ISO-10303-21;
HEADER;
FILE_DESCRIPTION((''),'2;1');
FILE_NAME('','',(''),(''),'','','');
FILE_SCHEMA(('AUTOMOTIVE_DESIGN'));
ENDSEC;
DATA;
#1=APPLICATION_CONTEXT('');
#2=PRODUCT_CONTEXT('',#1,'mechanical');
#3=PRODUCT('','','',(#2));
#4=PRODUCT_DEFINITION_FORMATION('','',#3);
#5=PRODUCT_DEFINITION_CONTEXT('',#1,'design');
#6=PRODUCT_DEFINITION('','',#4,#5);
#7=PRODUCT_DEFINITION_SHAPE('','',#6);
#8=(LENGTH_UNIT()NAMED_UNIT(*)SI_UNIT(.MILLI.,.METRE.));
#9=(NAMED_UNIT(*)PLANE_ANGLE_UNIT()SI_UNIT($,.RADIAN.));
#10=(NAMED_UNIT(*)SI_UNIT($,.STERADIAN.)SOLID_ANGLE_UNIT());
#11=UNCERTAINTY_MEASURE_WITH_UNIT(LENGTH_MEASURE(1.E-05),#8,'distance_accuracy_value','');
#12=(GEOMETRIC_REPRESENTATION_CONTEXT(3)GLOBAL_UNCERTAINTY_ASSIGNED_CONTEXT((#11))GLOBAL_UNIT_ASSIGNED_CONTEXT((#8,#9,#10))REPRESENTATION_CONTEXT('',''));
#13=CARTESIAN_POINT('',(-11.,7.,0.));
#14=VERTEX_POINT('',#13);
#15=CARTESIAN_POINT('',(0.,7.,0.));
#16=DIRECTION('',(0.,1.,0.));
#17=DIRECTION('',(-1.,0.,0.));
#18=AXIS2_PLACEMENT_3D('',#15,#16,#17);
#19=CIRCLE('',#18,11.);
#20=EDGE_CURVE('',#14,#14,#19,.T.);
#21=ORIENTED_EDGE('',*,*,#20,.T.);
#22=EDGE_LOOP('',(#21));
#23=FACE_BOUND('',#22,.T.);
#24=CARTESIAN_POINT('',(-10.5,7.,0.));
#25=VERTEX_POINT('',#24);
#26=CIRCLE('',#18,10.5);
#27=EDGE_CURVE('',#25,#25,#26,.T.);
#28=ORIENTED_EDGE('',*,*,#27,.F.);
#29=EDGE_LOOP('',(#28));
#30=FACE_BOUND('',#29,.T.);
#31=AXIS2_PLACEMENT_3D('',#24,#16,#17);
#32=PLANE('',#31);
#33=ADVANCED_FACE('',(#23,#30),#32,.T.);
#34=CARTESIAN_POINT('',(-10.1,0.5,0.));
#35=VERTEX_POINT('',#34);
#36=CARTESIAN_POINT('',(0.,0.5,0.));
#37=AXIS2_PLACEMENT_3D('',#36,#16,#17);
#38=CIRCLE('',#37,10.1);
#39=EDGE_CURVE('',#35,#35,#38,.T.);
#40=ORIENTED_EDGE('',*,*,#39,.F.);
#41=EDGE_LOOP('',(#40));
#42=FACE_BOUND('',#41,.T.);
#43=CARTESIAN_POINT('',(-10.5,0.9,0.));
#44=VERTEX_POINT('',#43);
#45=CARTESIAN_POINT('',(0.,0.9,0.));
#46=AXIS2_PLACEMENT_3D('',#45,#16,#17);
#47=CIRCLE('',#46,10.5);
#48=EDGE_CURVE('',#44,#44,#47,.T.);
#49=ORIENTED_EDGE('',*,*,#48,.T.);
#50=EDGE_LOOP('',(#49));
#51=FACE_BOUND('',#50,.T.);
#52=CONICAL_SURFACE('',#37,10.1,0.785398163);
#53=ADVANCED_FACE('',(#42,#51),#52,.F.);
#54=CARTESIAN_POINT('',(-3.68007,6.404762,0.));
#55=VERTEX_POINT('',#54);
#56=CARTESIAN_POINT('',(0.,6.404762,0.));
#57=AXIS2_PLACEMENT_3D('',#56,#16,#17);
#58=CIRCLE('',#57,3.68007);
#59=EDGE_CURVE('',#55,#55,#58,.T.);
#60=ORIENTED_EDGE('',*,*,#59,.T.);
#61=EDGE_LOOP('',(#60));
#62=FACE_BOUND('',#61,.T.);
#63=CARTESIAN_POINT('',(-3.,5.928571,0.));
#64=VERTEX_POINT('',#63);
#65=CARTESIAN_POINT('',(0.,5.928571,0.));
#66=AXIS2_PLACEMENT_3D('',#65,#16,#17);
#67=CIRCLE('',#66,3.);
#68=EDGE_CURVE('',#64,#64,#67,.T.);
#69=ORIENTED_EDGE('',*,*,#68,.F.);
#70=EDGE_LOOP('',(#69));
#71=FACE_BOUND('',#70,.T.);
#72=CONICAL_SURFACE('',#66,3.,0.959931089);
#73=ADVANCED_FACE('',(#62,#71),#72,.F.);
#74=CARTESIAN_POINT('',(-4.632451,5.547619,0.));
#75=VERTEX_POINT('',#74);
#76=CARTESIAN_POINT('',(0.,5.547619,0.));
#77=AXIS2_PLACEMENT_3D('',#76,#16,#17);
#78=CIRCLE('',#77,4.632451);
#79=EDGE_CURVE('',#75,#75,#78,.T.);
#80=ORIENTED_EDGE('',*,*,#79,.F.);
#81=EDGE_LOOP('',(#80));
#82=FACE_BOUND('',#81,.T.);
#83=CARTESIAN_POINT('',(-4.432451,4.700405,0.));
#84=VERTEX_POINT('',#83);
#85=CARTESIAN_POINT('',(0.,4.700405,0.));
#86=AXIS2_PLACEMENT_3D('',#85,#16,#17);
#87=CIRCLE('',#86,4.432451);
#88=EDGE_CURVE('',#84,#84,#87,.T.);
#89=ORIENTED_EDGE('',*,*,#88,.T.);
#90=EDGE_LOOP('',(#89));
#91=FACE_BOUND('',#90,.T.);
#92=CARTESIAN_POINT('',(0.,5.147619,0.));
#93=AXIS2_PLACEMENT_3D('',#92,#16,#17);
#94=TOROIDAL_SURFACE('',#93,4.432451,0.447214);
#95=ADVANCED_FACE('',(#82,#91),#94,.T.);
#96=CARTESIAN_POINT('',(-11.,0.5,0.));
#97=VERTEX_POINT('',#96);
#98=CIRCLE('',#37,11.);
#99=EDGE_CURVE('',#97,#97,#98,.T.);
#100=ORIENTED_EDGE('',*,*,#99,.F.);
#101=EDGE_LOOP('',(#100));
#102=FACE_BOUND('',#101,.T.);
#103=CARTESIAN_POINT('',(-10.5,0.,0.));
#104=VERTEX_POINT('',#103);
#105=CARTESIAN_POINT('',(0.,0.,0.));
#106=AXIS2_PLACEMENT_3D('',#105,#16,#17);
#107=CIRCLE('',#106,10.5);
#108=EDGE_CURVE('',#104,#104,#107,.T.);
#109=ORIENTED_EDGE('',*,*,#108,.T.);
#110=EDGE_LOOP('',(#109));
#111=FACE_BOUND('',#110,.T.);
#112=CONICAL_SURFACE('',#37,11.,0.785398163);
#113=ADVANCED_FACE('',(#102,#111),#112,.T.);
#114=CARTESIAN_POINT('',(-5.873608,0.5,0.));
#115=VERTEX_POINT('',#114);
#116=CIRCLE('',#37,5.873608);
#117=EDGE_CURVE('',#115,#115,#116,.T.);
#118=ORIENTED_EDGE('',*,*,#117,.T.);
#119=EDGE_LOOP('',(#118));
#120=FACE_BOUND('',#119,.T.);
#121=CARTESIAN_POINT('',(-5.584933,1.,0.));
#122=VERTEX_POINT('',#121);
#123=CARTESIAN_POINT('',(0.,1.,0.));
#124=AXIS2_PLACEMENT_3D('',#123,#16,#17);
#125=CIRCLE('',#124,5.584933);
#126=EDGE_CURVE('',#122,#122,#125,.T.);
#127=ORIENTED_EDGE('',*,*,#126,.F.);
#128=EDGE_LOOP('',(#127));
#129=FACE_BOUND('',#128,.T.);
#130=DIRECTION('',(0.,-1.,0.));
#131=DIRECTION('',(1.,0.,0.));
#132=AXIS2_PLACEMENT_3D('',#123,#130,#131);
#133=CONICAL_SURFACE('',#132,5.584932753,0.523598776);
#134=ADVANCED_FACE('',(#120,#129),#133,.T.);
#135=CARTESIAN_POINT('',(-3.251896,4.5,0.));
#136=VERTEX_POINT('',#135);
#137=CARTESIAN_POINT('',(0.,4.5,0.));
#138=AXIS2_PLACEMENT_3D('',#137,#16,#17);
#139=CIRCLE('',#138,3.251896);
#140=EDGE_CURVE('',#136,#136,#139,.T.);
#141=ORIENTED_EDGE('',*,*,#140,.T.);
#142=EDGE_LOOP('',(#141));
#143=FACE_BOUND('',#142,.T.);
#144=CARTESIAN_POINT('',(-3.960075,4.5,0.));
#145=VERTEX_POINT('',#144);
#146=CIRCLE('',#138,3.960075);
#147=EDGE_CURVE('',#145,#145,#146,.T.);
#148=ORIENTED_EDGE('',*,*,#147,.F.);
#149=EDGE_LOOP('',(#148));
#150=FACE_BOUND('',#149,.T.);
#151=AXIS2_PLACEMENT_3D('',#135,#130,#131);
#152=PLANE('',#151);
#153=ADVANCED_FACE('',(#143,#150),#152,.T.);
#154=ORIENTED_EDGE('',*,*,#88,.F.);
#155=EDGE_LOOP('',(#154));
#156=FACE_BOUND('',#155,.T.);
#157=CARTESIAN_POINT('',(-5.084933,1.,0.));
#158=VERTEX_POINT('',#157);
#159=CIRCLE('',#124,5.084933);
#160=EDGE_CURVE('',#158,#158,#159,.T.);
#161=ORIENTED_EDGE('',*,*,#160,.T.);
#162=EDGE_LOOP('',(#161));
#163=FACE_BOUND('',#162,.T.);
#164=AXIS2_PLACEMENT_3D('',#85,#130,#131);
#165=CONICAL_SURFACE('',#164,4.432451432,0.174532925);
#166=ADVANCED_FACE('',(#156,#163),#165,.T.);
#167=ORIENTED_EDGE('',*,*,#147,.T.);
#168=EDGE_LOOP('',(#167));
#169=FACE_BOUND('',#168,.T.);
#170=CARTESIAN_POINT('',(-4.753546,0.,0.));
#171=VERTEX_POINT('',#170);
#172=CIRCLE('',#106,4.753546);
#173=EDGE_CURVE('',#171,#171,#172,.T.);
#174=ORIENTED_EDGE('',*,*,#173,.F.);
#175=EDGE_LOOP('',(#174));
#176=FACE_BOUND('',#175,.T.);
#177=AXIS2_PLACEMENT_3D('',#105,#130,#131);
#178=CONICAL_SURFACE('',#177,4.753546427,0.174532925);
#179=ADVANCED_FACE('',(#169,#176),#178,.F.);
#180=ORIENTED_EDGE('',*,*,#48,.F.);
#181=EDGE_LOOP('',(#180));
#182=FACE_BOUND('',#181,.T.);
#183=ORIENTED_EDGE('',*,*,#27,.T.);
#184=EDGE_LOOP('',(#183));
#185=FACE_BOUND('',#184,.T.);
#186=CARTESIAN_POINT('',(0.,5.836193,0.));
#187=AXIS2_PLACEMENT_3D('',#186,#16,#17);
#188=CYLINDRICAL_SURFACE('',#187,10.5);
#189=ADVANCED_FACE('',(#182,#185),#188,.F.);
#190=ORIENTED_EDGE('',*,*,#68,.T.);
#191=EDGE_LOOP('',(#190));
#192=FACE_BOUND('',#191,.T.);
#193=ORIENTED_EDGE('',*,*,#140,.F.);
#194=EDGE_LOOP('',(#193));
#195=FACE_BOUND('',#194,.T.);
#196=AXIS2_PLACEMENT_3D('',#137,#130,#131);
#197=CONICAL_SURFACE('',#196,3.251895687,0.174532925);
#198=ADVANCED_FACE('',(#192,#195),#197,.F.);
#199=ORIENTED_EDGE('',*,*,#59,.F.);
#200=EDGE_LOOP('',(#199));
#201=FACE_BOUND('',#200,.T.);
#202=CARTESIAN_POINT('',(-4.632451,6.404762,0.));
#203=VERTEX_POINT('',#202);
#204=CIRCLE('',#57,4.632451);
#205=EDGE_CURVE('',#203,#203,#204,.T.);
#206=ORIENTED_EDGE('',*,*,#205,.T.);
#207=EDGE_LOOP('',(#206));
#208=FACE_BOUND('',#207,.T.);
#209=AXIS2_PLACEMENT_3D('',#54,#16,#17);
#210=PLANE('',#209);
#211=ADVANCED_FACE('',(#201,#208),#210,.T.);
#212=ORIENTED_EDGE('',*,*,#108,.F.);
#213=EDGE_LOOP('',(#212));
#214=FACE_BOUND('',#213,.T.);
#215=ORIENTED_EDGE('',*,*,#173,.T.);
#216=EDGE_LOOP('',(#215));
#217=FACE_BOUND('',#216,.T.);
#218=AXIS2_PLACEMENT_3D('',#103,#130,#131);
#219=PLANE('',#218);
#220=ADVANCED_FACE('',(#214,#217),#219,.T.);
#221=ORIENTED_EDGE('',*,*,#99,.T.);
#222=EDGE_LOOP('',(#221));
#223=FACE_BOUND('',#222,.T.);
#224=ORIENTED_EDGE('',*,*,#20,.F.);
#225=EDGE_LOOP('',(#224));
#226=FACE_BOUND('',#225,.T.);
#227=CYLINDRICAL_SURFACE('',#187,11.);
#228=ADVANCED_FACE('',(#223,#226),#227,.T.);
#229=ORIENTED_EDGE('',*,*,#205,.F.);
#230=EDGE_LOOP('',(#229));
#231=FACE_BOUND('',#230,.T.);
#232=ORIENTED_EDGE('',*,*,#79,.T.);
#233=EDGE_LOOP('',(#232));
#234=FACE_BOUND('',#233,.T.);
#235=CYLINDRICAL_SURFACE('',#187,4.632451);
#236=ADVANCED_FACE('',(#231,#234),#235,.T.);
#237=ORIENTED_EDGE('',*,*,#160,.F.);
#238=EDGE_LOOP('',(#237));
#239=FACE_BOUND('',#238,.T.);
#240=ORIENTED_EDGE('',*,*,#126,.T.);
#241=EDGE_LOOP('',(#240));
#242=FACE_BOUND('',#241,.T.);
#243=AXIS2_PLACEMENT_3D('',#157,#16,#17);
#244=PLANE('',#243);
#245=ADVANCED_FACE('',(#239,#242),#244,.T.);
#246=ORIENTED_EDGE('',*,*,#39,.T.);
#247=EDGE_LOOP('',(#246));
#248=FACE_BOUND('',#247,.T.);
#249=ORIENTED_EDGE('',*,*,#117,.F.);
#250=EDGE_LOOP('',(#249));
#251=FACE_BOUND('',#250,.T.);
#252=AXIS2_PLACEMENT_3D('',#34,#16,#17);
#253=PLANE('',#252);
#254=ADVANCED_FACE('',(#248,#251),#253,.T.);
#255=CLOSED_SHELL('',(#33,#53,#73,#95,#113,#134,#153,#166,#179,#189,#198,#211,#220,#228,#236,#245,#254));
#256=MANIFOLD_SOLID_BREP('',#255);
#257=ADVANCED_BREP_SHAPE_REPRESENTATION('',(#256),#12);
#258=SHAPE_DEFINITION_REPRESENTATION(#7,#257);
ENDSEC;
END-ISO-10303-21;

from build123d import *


with BuildPart() as part:
    # 草图1 → 旋转1 (revolve)
    with BuildSketch(Plane.XY):
        with BuildLine():
            Line((-10.1, 0.5), (-5.873607887, 0.5))
            Line((-5.873607887, 0.5), (-5.584932753, 1))
            Line((-5.584932753, 1), (-5.084932753, 1))
            Line((-5.084932753, 1), (-4.432451432, 4.700405452))
            ThreePointArc((-4.432451432, 4.700405452), (-4.867701612, 5.044870418), (-4.632451432, 5.547619048))
            Line((-4.632451432, 5.547619048), (-4.632451432, 6.404761905))
            Line((-4.632451432, 6.404761905), (-3.680070479, 6.404761905))
            Line((-3.680070479, 6.404761905), (-3, 5.928571429))
            Line((-3, 5.928571429), (-3.251895687, 4.5))
            Line((-3.251895687, 4.5), (-3.960075014, 4.5))
            Line((-3.960075014, 4.5), (-4.753546427, 0))
            Line((-4.753546427, 0), (-10.5, 0))
            Line((-10.5, 0), (-11, 0.5))
            Line((-11, 0.5), (-11, 7))
            Line((-11, 7), (-10.5, 7))
            Line((-10.5, 7), (-10.5, 0.9))
            Line((-10.5, 0.9), (-10.1, 0.5))
        make_face()
    revolve(axis=Axis((0, 5.836193369, 0), (0, -1, 0)))


solid = part.part
